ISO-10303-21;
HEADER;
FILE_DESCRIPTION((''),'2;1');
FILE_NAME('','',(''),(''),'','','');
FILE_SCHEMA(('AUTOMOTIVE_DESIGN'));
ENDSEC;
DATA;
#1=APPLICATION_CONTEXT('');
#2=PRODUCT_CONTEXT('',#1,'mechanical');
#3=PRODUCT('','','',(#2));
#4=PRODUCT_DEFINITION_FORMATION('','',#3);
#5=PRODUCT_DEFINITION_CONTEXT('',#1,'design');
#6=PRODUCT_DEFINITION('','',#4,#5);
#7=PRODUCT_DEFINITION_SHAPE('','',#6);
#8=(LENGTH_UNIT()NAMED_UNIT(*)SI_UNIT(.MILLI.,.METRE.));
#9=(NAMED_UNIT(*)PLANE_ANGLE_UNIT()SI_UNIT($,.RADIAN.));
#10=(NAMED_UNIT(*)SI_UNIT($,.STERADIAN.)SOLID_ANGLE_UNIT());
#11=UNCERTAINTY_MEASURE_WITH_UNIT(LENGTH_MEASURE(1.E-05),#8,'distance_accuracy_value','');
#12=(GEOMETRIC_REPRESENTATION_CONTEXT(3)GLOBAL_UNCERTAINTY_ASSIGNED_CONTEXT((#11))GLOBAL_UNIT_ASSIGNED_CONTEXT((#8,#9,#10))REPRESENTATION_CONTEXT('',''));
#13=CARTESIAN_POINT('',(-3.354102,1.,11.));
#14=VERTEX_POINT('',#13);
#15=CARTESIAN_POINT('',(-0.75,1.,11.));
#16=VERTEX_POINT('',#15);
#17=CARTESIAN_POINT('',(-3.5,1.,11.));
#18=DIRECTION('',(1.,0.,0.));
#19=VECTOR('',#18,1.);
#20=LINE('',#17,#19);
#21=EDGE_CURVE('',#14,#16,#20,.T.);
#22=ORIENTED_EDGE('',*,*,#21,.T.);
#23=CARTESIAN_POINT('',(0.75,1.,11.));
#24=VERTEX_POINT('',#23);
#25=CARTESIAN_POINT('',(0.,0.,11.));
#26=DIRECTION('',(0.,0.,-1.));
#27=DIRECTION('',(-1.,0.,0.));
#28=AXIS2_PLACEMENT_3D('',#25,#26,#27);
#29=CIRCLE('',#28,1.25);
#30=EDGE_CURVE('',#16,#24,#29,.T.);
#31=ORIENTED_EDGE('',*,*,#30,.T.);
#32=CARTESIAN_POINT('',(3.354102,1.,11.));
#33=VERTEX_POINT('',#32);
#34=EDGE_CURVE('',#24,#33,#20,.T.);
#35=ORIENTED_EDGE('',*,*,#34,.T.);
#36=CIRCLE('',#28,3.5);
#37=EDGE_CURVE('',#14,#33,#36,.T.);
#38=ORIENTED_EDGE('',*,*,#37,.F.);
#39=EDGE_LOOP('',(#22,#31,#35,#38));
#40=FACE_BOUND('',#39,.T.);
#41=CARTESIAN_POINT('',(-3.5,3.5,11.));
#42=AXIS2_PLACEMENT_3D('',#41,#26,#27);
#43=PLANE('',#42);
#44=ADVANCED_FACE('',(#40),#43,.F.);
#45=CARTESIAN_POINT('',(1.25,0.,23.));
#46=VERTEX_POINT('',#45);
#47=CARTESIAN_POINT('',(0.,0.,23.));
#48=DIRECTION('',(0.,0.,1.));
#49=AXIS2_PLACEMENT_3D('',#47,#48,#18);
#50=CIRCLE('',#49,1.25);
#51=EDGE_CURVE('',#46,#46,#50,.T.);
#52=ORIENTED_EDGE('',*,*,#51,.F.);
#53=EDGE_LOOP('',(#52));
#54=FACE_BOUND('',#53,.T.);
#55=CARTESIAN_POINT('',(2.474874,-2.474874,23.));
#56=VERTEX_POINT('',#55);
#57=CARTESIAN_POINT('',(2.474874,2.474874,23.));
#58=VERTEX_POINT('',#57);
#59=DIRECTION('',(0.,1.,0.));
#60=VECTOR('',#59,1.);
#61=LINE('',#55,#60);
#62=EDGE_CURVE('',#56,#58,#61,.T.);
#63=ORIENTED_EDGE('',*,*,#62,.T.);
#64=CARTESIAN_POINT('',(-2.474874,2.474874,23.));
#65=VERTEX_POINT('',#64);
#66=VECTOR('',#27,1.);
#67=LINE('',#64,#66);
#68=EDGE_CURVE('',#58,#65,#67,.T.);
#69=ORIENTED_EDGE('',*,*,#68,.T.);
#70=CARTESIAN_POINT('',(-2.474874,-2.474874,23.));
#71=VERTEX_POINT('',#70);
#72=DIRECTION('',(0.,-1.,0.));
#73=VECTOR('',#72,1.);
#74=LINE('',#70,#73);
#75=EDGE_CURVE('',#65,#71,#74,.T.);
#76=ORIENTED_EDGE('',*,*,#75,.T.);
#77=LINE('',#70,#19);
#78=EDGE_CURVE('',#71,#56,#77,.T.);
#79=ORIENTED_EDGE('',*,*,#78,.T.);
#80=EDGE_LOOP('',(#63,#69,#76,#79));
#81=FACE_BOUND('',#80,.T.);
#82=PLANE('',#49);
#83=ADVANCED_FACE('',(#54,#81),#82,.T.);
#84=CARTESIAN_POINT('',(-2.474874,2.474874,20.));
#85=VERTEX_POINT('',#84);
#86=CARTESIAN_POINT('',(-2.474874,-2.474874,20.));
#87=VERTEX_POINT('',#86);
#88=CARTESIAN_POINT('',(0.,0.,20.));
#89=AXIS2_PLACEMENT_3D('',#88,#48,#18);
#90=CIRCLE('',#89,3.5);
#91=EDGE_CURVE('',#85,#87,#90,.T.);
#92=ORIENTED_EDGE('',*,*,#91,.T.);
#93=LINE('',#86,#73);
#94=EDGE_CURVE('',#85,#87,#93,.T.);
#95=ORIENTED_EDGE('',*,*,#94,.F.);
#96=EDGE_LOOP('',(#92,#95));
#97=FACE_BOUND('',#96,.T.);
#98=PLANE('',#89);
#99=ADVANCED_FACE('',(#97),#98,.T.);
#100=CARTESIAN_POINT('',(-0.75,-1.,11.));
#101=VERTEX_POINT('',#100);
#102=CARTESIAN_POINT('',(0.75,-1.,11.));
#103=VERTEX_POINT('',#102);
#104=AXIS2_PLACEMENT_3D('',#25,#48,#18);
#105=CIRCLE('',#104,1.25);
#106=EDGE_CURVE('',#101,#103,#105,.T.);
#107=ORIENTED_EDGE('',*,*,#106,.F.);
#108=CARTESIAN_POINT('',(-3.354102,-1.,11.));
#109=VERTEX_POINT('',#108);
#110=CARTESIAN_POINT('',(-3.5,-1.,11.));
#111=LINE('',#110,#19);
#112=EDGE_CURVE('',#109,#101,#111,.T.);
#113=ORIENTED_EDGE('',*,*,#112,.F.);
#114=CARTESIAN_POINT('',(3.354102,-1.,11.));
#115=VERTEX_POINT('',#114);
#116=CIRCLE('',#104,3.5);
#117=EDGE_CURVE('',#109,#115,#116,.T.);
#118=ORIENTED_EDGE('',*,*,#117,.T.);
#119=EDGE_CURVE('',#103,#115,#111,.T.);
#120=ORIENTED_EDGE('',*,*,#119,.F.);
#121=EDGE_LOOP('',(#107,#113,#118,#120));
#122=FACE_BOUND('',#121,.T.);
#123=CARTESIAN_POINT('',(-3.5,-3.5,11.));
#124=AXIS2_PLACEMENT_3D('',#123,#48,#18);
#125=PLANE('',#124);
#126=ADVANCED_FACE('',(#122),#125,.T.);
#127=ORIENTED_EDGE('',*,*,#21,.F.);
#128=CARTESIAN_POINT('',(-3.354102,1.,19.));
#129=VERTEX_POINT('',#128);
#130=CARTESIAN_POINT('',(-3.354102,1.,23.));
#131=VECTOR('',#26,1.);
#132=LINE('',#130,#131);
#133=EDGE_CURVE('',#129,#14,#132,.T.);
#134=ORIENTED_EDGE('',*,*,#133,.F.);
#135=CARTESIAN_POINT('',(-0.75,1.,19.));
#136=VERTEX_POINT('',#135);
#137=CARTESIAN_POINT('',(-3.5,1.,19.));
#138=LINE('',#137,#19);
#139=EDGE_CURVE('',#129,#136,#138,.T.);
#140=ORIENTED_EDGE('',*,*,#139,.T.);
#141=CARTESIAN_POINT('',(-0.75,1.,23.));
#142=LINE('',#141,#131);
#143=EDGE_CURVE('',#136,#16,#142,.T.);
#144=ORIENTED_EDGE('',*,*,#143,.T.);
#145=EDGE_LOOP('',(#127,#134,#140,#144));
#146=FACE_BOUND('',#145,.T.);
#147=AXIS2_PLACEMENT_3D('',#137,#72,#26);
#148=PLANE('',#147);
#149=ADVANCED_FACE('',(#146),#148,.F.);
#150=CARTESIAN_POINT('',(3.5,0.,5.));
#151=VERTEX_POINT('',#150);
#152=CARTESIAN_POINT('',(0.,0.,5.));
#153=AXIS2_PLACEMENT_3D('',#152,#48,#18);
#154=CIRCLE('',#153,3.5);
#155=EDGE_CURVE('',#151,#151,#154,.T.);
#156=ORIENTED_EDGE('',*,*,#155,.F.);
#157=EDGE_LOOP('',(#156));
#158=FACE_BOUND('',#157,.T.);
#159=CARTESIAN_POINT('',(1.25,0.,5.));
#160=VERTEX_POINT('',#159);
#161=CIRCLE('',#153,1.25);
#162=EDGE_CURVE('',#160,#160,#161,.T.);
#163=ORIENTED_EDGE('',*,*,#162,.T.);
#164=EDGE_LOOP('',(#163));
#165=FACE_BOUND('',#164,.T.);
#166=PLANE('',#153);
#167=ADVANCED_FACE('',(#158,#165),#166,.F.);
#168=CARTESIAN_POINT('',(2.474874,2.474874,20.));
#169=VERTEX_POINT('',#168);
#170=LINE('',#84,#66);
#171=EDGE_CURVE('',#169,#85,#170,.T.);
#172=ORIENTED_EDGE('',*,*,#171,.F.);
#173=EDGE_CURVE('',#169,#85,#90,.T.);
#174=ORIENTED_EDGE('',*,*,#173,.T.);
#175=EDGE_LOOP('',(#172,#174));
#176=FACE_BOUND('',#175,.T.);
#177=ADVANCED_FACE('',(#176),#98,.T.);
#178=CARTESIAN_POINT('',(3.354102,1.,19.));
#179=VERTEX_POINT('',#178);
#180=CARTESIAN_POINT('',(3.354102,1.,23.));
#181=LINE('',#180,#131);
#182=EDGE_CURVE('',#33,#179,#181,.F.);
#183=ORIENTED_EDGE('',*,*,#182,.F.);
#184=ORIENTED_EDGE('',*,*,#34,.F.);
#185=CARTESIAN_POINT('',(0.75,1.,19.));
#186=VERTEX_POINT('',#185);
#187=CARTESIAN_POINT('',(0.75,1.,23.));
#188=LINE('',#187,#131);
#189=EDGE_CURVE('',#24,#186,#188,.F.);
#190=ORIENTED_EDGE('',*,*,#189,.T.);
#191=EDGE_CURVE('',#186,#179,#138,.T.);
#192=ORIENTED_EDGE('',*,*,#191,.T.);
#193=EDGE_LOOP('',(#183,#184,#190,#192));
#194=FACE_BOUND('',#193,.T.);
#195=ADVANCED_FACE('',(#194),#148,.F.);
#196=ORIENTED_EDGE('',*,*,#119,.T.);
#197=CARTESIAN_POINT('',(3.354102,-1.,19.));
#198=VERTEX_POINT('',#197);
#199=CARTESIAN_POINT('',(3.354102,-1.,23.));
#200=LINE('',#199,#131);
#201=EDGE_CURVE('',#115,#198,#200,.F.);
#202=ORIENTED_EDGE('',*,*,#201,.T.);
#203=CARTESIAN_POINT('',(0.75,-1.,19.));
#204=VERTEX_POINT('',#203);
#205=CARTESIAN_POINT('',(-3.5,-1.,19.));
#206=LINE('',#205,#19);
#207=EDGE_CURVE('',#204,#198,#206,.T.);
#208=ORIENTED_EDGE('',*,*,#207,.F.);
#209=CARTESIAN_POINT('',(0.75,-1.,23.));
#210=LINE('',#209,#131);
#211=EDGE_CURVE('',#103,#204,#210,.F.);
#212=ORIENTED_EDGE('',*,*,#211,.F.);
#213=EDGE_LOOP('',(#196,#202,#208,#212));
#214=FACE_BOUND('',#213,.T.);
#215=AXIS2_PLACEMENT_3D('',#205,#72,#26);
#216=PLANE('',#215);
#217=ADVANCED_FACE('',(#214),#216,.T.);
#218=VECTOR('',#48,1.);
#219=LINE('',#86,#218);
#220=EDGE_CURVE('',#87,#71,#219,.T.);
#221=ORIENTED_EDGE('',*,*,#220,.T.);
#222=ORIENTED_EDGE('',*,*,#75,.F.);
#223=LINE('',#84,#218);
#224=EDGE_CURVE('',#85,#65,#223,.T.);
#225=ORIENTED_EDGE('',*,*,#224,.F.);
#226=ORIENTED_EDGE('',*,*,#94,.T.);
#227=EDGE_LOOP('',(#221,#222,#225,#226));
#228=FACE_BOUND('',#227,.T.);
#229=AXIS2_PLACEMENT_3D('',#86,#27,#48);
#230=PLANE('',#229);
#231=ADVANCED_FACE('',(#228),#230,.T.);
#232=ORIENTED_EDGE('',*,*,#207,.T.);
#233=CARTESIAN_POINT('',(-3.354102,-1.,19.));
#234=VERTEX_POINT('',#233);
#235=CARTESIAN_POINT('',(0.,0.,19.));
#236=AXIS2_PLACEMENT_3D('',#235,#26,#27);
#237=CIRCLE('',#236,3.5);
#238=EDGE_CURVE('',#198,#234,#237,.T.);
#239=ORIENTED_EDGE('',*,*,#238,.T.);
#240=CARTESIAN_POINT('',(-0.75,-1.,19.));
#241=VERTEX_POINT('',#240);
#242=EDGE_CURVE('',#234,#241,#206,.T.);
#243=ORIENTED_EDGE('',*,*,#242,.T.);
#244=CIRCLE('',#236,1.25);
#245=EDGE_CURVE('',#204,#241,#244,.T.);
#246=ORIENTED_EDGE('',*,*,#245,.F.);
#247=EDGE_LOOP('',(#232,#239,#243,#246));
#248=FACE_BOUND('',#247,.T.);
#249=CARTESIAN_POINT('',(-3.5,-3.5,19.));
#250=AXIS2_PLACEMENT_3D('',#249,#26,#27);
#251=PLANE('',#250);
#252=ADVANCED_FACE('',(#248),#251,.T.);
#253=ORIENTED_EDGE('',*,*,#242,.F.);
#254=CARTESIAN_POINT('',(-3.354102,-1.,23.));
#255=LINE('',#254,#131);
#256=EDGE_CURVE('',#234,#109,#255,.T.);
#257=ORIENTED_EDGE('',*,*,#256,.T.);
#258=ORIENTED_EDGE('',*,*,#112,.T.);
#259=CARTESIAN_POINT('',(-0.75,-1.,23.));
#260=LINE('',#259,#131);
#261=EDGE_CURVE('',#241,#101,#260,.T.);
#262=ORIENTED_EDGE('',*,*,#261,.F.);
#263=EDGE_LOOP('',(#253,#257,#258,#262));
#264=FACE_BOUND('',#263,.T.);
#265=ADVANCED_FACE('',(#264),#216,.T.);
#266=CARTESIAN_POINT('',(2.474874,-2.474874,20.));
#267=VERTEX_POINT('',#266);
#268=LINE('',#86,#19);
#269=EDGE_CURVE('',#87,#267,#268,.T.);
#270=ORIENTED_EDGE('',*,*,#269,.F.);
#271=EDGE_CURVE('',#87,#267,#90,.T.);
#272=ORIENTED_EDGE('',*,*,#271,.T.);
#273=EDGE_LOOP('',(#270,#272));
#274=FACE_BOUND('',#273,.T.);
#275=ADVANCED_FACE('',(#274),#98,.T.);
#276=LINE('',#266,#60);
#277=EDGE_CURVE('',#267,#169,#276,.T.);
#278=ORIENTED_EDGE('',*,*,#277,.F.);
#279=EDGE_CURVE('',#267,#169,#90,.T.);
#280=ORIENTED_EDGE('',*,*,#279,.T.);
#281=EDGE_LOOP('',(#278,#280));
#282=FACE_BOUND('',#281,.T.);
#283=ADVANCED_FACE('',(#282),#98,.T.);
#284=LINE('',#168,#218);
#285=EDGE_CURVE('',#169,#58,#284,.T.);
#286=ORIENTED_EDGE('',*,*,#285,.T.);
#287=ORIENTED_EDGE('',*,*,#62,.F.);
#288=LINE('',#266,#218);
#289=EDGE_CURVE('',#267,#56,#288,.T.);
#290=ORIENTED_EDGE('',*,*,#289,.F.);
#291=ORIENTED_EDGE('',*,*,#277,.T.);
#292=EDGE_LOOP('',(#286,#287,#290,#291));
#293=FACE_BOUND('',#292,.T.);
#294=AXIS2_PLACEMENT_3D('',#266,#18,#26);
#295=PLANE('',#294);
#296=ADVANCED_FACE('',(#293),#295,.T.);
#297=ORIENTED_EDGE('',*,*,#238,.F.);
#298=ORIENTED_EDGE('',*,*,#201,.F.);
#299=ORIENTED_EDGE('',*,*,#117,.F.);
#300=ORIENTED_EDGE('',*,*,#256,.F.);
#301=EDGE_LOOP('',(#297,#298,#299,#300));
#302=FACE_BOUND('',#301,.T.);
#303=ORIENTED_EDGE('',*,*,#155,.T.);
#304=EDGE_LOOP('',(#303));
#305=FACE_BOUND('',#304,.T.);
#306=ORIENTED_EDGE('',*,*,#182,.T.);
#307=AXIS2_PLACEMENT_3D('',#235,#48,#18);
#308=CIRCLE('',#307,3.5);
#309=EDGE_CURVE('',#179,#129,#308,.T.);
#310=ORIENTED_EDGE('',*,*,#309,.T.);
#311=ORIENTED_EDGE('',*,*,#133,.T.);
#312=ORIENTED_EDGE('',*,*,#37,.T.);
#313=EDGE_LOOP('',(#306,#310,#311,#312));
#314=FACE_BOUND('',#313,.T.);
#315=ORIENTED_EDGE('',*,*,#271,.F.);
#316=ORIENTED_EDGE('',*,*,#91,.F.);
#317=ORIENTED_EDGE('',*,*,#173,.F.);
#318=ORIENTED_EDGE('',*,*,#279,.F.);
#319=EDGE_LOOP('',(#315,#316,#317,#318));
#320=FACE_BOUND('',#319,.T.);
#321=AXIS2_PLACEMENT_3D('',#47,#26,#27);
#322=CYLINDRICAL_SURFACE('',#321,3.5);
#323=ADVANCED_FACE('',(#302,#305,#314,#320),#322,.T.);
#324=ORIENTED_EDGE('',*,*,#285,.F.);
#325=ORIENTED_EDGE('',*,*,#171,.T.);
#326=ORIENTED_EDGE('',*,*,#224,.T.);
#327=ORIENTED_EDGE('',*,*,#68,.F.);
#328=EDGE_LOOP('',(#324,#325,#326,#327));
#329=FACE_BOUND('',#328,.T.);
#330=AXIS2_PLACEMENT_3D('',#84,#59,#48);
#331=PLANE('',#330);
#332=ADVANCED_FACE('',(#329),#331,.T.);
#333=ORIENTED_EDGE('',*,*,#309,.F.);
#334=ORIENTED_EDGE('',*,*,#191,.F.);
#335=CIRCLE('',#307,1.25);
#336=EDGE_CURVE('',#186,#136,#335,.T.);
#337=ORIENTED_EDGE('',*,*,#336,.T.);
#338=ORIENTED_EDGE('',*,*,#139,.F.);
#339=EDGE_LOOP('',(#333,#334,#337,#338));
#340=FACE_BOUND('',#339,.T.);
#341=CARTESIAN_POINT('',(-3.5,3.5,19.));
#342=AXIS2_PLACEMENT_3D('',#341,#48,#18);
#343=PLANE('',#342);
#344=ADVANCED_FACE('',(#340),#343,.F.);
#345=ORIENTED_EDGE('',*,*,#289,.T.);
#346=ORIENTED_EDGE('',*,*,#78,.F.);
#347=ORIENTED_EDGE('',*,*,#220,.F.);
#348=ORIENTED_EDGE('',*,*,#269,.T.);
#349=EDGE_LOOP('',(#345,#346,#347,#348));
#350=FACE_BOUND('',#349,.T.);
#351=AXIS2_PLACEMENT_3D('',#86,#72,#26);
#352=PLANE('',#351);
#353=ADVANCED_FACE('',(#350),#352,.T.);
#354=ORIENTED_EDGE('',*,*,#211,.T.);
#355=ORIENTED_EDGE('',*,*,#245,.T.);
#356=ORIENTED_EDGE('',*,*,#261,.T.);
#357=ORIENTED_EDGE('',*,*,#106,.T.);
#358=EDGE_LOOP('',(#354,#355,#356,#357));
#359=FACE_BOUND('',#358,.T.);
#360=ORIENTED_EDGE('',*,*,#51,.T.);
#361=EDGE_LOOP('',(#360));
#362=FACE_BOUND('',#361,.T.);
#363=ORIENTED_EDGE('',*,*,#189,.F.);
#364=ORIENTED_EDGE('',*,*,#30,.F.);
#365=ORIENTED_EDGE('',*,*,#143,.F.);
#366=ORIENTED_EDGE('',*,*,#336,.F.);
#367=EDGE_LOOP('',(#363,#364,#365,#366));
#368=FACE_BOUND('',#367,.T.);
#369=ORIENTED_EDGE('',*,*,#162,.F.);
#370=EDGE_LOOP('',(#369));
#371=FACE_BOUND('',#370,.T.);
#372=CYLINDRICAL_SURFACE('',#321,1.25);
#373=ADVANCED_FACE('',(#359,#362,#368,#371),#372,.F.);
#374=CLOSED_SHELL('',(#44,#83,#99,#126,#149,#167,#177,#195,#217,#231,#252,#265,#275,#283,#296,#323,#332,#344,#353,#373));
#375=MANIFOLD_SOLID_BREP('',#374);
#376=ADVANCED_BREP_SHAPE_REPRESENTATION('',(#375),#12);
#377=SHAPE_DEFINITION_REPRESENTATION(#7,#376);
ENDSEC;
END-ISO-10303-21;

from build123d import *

# Parameters (mm, degrees)
BOSS_EXTRUDE1_START = 5
SKETCH3_R           = 3.5
SKETCH3_R_2         = 1.25
BOSS_EXTRUDE1_DEPTH = 18
SKETCH4_W           = 8
SKETCH4_H           = 2.5
CUT_EXTRUDE1_DEPTH  = 4.5
SKETCH5_OUTSIDE_W   = 13.108
SKETCH5_OUTSIDE_H   = 13.108
SKETCH5_OUTSIDE_W_2 = 4.949747468
SKETCH5_OUTSIDE_H_2 = 4.949747468
CUT_EXTRUDE2_DEPTH  = 3


with BuildPart() as part:
    # Sketch3 → Boss-Extrude1 (new body)
    with BuildSketch(Plane.XY.offset(BOSS_EXTRUDE1_START)):
        Circle(SKETCH3_R)
        Circle(SKETCH3_R_2, mode=Mode.SUBTRACT)
    extrude(amount=BOSS_EXTRUDE1_DEPTH)

    # Sketch4 → Cut-Extrude1 (cut, symmetric)
    with BuildSketch(Plane(origin=(0, 0, 0), x_dir=(0, 0, -1), z_dir=(1, 0, 0))):
        with Locations((-15, 2.25)):
            Rectangle(SKETCH4_W, SKETCH4_H)
    cut_extrude1 = extrude(amount=CUT_EXTRUDE1_DEPTH, both=True, mode=Mode.SUBTRACT)

    # Mirror1: Cut-Extrude1 across plane
    add(cut_extrude1.mirror(Plane.ZX), mode=Mode.SUBTRACT)

    # Sketch5 outside → Cut-Extrude2 (cut)
    with BuildSketch(Plane.XY.offset(23)):
        Rectangle(SKETCH5_OUTSIDE_W, SKETCH5_OUTSIDE_H)
        Rectangle(SKETCH5_OUTSIDE_W_2, SKETCH5_OUTSIDE_H_2, mode=Mode.SUBTRACT)
    extrude(amount=-CUT_EXTRUDE2_DEPTH, mode=Mode.SUBTRACT)


solid = part.part
